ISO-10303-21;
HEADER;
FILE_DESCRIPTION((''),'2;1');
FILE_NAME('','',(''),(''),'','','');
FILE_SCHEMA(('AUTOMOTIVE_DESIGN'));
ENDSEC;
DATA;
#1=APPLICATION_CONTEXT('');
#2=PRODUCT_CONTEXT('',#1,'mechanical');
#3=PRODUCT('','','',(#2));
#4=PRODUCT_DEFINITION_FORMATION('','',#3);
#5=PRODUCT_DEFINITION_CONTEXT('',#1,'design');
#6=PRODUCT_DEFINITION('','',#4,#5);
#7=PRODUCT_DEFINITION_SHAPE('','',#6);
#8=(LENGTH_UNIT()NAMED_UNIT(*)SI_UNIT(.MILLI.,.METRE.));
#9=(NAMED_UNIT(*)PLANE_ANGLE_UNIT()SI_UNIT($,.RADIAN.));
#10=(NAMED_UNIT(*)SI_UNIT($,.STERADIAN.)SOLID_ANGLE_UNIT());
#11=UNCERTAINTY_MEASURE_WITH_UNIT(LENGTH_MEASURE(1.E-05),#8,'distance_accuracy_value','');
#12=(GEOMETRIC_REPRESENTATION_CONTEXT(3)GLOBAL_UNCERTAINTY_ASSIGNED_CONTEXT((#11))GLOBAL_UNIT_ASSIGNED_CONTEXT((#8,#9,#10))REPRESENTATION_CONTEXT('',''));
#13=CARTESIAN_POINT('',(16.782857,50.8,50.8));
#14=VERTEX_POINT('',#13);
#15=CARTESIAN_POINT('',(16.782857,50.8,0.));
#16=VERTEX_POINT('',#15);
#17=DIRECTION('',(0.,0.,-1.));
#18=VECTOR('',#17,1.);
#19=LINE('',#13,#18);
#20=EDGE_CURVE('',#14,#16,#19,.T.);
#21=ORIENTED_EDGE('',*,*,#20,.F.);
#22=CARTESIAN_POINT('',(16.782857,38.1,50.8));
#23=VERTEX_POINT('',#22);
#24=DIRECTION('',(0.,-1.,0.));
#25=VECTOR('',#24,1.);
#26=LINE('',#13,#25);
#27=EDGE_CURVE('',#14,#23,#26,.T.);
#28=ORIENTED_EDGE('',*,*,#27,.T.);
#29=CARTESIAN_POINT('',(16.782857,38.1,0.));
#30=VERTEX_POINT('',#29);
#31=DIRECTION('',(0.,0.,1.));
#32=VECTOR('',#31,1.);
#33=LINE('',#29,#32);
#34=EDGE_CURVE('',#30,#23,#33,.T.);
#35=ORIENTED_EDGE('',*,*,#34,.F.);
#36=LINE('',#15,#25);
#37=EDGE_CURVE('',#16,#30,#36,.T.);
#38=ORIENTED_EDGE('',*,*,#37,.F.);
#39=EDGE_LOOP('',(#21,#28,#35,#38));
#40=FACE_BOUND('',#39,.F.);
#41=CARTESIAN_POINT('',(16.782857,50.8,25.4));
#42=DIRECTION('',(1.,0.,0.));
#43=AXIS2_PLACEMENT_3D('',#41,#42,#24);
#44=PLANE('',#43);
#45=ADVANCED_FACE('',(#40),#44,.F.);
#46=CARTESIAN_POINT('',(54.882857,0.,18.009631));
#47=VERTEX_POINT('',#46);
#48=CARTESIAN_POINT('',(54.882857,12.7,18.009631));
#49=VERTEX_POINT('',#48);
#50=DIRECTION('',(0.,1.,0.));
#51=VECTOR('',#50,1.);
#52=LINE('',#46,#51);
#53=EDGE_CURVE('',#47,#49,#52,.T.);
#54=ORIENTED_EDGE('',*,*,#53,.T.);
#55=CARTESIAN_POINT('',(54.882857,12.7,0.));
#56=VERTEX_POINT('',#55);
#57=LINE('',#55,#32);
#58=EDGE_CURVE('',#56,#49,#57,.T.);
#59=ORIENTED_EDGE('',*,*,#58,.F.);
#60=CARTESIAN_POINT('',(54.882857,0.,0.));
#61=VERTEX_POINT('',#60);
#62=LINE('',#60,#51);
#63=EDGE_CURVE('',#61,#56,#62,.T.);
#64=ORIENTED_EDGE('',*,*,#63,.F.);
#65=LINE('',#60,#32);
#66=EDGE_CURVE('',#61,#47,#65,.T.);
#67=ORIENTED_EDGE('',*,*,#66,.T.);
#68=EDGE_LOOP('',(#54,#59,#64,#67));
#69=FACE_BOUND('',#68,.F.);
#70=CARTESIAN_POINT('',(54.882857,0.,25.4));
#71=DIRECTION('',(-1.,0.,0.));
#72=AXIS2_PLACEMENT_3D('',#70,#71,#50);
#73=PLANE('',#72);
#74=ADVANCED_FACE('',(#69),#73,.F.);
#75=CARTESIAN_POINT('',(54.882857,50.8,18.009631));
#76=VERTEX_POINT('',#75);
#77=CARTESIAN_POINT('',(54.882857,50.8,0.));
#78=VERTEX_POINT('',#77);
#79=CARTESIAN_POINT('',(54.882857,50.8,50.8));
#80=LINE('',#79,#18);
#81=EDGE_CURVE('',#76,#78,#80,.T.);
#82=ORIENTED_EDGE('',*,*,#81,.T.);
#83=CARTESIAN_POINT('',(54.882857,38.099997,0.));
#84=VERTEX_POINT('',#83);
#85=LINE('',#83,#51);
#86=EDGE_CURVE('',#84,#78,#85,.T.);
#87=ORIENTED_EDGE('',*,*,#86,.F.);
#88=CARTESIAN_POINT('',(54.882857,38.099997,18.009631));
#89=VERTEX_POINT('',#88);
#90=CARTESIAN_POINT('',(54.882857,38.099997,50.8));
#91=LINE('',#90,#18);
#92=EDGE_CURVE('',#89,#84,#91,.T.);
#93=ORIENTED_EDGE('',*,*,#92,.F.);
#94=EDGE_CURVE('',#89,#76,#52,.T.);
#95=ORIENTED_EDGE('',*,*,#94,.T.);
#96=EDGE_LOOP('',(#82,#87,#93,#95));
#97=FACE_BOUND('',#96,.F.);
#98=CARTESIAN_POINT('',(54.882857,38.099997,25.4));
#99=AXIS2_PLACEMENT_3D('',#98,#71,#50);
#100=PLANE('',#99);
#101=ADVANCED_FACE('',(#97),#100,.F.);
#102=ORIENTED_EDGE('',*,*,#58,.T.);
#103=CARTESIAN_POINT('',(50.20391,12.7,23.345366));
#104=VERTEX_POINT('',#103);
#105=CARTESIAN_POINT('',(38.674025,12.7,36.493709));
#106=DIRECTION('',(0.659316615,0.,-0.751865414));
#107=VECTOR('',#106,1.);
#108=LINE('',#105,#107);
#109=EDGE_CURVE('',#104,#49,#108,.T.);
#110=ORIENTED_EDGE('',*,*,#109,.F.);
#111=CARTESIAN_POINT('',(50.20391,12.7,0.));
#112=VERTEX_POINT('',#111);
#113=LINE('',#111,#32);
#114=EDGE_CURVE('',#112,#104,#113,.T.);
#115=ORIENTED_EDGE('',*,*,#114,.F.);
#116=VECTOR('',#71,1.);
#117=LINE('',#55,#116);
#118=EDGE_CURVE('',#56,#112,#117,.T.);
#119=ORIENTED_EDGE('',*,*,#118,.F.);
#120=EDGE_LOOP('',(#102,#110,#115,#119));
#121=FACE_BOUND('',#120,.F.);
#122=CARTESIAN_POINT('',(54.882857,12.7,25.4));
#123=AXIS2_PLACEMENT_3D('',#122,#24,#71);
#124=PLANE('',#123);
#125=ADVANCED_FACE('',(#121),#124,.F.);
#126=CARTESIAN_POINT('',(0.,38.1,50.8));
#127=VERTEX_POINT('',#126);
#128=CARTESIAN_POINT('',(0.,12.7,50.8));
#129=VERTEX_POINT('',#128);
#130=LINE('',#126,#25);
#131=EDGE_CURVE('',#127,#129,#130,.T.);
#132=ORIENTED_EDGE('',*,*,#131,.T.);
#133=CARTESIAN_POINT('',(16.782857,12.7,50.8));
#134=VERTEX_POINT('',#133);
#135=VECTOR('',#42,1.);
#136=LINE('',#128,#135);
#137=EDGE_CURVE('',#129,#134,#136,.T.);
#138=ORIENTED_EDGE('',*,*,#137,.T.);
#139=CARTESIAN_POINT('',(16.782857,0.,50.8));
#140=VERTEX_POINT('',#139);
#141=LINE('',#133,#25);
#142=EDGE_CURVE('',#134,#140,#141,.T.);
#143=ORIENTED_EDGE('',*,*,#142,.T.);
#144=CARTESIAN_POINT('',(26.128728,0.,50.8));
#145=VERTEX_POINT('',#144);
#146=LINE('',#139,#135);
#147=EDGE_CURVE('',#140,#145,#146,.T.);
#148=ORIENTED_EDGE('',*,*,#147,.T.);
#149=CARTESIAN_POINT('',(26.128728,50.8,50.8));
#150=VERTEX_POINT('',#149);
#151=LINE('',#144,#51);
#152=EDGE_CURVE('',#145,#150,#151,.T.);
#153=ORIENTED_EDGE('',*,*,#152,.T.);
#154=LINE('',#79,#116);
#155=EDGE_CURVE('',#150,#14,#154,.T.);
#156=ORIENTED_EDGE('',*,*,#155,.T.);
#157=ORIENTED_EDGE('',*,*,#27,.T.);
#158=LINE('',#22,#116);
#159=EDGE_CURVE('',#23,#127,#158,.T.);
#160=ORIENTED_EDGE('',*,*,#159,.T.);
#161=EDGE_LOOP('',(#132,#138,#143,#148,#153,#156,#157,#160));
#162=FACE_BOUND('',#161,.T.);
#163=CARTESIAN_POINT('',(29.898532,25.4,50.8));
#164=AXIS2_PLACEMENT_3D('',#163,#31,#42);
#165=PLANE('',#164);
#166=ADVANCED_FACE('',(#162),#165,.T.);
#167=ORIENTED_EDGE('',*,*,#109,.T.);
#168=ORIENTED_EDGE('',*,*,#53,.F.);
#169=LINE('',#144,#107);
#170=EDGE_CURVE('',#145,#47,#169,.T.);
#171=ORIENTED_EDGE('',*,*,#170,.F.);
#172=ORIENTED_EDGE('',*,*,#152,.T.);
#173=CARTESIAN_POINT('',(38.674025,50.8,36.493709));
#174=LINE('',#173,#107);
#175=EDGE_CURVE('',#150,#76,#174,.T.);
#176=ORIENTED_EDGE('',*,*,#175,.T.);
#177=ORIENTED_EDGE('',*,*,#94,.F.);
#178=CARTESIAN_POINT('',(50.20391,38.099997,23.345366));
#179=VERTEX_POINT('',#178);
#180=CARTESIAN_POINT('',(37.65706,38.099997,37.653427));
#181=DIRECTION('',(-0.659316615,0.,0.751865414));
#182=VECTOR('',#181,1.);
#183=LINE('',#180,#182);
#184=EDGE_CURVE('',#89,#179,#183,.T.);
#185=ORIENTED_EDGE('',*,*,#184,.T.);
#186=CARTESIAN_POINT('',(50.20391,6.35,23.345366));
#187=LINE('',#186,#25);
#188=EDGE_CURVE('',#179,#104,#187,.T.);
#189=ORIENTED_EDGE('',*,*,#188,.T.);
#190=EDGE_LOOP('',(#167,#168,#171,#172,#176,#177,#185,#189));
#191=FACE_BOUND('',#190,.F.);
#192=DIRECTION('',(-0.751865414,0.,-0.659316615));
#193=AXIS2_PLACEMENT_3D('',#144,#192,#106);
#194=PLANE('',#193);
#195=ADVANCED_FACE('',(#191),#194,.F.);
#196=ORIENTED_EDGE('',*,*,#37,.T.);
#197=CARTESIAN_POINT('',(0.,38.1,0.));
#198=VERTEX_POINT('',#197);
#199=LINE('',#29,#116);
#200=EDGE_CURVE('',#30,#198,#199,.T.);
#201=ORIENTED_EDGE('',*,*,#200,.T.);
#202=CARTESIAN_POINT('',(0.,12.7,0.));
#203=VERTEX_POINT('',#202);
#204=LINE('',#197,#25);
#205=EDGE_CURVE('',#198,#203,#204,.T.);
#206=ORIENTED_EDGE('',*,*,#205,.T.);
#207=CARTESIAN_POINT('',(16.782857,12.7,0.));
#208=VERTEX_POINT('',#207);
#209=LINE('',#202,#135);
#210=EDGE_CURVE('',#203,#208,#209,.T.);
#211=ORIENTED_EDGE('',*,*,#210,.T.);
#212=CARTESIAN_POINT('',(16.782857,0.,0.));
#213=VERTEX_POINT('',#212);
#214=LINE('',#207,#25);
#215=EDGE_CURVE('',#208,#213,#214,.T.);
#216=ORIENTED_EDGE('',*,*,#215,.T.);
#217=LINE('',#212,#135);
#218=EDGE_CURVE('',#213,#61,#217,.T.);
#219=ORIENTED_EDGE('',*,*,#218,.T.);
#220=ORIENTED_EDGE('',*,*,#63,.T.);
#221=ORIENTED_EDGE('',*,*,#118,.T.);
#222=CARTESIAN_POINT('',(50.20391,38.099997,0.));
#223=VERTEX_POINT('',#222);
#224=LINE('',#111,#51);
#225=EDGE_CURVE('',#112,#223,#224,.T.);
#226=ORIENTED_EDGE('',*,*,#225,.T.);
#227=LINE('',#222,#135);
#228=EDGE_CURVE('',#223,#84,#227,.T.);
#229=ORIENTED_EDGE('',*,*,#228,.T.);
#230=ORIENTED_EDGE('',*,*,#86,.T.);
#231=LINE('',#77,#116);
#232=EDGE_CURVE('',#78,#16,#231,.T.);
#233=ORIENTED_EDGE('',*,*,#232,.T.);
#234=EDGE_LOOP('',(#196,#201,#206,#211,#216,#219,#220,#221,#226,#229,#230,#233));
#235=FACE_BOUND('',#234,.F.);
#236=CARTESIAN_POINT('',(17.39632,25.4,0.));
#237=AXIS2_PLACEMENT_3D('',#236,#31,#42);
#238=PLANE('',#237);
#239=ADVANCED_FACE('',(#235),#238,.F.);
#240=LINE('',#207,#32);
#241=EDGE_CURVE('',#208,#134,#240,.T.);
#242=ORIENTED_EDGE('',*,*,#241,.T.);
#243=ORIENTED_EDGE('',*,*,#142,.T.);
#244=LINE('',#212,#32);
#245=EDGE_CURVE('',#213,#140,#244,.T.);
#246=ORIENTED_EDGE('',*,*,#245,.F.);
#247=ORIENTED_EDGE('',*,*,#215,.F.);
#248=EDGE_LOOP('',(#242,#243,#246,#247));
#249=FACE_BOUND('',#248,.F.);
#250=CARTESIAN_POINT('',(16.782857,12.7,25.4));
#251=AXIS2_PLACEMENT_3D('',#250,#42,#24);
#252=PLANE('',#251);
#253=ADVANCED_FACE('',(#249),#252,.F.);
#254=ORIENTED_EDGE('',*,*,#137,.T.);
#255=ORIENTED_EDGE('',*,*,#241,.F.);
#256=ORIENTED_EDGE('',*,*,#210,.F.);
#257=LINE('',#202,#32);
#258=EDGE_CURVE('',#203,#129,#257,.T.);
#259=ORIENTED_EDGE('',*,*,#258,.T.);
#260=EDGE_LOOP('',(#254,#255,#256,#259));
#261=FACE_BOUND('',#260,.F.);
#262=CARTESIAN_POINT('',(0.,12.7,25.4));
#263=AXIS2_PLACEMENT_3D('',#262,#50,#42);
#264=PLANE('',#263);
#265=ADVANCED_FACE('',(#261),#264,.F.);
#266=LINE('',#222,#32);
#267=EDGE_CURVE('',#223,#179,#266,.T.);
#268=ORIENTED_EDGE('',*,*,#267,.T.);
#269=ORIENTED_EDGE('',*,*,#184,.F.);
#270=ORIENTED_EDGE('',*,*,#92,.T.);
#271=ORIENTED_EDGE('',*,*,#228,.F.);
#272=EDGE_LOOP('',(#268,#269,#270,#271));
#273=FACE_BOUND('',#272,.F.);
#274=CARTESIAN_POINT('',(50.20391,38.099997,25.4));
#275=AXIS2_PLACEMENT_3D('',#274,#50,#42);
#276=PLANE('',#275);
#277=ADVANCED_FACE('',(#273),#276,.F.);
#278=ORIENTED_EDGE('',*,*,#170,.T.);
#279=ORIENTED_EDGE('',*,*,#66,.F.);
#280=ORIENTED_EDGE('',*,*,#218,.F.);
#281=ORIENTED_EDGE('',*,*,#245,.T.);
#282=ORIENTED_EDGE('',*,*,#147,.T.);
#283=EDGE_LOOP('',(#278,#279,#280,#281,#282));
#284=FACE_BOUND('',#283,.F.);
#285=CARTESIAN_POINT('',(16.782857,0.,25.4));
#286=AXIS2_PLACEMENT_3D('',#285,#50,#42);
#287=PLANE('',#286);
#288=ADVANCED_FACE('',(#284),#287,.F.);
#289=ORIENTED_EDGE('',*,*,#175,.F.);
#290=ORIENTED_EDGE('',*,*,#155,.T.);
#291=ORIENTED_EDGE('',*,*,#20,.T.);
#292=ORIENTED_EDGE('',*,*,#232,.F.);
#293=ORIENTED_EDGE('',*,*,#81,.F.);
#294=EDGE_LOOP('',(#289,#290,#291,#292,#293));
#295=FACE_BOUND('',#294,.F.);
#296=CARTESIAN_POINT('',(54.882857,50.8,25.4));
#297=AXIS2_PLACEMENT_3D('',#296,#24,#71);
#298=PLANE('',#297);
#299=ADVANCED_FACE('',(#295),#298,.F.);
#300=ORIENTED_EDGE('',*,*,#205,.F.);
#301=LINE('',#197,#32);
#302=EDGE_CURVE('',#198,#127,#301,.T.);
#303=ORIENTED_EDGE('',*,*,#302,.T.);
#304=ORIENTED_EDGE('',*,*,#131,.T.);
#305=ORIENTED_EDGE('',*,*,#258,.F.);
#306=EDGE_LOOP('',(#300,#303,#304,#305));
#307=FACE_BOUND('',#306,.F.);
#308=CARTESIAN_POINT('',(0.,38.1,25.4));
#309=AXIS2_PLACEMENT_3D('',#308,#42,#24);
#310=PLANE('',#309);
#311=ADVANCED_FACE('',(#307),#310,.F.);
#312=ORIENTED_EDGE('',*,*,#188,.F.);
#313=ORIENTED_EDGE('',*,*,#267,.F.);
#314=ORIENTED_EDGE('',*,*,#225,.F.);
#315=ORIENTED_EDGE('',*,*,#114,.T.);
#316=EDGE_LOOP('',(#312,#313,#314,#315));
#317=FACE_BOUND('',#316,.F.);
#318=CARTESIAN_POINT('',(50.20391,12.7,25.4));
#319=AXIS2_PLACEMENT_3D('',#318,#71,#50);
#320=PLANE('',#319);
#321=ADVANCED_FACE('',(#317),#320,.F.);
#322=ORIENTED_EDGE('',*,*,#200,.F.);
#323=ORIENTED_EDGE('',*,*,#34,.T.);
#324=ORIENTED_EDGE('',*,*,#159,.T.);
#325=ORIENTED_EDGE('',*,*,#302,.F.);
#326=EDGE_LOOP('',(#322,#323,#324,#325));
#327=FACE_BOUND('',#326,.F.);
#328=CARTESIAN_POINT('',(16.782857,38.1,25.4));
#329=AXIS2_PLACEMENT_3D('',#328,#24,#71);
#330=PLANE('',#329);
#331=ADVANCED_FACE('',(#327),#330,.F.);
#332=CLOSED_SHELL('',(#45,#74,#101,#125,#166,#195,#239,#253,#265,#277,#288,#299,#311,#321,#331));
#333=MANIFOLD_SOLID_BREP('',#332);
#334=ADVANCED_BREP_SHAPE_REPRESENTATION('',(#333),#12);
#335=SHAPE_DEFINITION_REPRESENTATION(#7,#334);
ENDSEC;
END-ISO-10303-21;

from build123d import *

# Parameters (mm, degrees)
F1_DEPTH = 25.4
F2_DEPTH = 25.4
F4_DEPTH = 68.58


with BuildPart() as f1:
    # F0 (on Top) → F1 (new body)
    with BuildSketch(Plane.XY):
        Polygon((16.782857, 38.1), (0, 38.1), (0, 12.7), (16.782857, 12.7), (16.782857, 0), (29.482857, 0), (29.482857, 50.8), (16.782857, 50.8), align=None)
        Polygon((54.882857, 50.8), (29.482857, 50.8), (29.482857, 0), (54.882857, 0), (54.882857, 12.7), (50.20391, 12.7), (50.20391, 38.099997), (54.882857, 38.099997), align=None)
    extrude(amount=F1_DEPTH)

    # F1_face (on face) → F2 (join)
    with BuildSketch(Plane(origin=(29.731958, 25.4, 25.4), x_dir=(1, 0, 0), z_dir=(0, 0, 1))):
        Polygon((-12.949101, 25.4), (-12.949101, 12.7), (-29.731958, 12.7), (-29.731958, -12.7), (-12.949101, -12.7), (-12.949101, -25.4), (25.150899, -25.4), (25.150899, -12.7), (20.471952, -12.7), (20.471952, 12.699997), (25.150899, 12.699997), (25.150899, 25.4), align=None)
    extrude(amount=F2_DEPTH)

    # F3 (on face) → F4 (cut)
    with BuildSketch(Plane.XZ):
        Polygon((54.882857, 50.8), (26.128728, 50.8), (54.882857, 18.009631), align=None)
    extrude(amount=-F4_DEPTH, mode=Mode.SUBTRACT)


solid = f1.part
